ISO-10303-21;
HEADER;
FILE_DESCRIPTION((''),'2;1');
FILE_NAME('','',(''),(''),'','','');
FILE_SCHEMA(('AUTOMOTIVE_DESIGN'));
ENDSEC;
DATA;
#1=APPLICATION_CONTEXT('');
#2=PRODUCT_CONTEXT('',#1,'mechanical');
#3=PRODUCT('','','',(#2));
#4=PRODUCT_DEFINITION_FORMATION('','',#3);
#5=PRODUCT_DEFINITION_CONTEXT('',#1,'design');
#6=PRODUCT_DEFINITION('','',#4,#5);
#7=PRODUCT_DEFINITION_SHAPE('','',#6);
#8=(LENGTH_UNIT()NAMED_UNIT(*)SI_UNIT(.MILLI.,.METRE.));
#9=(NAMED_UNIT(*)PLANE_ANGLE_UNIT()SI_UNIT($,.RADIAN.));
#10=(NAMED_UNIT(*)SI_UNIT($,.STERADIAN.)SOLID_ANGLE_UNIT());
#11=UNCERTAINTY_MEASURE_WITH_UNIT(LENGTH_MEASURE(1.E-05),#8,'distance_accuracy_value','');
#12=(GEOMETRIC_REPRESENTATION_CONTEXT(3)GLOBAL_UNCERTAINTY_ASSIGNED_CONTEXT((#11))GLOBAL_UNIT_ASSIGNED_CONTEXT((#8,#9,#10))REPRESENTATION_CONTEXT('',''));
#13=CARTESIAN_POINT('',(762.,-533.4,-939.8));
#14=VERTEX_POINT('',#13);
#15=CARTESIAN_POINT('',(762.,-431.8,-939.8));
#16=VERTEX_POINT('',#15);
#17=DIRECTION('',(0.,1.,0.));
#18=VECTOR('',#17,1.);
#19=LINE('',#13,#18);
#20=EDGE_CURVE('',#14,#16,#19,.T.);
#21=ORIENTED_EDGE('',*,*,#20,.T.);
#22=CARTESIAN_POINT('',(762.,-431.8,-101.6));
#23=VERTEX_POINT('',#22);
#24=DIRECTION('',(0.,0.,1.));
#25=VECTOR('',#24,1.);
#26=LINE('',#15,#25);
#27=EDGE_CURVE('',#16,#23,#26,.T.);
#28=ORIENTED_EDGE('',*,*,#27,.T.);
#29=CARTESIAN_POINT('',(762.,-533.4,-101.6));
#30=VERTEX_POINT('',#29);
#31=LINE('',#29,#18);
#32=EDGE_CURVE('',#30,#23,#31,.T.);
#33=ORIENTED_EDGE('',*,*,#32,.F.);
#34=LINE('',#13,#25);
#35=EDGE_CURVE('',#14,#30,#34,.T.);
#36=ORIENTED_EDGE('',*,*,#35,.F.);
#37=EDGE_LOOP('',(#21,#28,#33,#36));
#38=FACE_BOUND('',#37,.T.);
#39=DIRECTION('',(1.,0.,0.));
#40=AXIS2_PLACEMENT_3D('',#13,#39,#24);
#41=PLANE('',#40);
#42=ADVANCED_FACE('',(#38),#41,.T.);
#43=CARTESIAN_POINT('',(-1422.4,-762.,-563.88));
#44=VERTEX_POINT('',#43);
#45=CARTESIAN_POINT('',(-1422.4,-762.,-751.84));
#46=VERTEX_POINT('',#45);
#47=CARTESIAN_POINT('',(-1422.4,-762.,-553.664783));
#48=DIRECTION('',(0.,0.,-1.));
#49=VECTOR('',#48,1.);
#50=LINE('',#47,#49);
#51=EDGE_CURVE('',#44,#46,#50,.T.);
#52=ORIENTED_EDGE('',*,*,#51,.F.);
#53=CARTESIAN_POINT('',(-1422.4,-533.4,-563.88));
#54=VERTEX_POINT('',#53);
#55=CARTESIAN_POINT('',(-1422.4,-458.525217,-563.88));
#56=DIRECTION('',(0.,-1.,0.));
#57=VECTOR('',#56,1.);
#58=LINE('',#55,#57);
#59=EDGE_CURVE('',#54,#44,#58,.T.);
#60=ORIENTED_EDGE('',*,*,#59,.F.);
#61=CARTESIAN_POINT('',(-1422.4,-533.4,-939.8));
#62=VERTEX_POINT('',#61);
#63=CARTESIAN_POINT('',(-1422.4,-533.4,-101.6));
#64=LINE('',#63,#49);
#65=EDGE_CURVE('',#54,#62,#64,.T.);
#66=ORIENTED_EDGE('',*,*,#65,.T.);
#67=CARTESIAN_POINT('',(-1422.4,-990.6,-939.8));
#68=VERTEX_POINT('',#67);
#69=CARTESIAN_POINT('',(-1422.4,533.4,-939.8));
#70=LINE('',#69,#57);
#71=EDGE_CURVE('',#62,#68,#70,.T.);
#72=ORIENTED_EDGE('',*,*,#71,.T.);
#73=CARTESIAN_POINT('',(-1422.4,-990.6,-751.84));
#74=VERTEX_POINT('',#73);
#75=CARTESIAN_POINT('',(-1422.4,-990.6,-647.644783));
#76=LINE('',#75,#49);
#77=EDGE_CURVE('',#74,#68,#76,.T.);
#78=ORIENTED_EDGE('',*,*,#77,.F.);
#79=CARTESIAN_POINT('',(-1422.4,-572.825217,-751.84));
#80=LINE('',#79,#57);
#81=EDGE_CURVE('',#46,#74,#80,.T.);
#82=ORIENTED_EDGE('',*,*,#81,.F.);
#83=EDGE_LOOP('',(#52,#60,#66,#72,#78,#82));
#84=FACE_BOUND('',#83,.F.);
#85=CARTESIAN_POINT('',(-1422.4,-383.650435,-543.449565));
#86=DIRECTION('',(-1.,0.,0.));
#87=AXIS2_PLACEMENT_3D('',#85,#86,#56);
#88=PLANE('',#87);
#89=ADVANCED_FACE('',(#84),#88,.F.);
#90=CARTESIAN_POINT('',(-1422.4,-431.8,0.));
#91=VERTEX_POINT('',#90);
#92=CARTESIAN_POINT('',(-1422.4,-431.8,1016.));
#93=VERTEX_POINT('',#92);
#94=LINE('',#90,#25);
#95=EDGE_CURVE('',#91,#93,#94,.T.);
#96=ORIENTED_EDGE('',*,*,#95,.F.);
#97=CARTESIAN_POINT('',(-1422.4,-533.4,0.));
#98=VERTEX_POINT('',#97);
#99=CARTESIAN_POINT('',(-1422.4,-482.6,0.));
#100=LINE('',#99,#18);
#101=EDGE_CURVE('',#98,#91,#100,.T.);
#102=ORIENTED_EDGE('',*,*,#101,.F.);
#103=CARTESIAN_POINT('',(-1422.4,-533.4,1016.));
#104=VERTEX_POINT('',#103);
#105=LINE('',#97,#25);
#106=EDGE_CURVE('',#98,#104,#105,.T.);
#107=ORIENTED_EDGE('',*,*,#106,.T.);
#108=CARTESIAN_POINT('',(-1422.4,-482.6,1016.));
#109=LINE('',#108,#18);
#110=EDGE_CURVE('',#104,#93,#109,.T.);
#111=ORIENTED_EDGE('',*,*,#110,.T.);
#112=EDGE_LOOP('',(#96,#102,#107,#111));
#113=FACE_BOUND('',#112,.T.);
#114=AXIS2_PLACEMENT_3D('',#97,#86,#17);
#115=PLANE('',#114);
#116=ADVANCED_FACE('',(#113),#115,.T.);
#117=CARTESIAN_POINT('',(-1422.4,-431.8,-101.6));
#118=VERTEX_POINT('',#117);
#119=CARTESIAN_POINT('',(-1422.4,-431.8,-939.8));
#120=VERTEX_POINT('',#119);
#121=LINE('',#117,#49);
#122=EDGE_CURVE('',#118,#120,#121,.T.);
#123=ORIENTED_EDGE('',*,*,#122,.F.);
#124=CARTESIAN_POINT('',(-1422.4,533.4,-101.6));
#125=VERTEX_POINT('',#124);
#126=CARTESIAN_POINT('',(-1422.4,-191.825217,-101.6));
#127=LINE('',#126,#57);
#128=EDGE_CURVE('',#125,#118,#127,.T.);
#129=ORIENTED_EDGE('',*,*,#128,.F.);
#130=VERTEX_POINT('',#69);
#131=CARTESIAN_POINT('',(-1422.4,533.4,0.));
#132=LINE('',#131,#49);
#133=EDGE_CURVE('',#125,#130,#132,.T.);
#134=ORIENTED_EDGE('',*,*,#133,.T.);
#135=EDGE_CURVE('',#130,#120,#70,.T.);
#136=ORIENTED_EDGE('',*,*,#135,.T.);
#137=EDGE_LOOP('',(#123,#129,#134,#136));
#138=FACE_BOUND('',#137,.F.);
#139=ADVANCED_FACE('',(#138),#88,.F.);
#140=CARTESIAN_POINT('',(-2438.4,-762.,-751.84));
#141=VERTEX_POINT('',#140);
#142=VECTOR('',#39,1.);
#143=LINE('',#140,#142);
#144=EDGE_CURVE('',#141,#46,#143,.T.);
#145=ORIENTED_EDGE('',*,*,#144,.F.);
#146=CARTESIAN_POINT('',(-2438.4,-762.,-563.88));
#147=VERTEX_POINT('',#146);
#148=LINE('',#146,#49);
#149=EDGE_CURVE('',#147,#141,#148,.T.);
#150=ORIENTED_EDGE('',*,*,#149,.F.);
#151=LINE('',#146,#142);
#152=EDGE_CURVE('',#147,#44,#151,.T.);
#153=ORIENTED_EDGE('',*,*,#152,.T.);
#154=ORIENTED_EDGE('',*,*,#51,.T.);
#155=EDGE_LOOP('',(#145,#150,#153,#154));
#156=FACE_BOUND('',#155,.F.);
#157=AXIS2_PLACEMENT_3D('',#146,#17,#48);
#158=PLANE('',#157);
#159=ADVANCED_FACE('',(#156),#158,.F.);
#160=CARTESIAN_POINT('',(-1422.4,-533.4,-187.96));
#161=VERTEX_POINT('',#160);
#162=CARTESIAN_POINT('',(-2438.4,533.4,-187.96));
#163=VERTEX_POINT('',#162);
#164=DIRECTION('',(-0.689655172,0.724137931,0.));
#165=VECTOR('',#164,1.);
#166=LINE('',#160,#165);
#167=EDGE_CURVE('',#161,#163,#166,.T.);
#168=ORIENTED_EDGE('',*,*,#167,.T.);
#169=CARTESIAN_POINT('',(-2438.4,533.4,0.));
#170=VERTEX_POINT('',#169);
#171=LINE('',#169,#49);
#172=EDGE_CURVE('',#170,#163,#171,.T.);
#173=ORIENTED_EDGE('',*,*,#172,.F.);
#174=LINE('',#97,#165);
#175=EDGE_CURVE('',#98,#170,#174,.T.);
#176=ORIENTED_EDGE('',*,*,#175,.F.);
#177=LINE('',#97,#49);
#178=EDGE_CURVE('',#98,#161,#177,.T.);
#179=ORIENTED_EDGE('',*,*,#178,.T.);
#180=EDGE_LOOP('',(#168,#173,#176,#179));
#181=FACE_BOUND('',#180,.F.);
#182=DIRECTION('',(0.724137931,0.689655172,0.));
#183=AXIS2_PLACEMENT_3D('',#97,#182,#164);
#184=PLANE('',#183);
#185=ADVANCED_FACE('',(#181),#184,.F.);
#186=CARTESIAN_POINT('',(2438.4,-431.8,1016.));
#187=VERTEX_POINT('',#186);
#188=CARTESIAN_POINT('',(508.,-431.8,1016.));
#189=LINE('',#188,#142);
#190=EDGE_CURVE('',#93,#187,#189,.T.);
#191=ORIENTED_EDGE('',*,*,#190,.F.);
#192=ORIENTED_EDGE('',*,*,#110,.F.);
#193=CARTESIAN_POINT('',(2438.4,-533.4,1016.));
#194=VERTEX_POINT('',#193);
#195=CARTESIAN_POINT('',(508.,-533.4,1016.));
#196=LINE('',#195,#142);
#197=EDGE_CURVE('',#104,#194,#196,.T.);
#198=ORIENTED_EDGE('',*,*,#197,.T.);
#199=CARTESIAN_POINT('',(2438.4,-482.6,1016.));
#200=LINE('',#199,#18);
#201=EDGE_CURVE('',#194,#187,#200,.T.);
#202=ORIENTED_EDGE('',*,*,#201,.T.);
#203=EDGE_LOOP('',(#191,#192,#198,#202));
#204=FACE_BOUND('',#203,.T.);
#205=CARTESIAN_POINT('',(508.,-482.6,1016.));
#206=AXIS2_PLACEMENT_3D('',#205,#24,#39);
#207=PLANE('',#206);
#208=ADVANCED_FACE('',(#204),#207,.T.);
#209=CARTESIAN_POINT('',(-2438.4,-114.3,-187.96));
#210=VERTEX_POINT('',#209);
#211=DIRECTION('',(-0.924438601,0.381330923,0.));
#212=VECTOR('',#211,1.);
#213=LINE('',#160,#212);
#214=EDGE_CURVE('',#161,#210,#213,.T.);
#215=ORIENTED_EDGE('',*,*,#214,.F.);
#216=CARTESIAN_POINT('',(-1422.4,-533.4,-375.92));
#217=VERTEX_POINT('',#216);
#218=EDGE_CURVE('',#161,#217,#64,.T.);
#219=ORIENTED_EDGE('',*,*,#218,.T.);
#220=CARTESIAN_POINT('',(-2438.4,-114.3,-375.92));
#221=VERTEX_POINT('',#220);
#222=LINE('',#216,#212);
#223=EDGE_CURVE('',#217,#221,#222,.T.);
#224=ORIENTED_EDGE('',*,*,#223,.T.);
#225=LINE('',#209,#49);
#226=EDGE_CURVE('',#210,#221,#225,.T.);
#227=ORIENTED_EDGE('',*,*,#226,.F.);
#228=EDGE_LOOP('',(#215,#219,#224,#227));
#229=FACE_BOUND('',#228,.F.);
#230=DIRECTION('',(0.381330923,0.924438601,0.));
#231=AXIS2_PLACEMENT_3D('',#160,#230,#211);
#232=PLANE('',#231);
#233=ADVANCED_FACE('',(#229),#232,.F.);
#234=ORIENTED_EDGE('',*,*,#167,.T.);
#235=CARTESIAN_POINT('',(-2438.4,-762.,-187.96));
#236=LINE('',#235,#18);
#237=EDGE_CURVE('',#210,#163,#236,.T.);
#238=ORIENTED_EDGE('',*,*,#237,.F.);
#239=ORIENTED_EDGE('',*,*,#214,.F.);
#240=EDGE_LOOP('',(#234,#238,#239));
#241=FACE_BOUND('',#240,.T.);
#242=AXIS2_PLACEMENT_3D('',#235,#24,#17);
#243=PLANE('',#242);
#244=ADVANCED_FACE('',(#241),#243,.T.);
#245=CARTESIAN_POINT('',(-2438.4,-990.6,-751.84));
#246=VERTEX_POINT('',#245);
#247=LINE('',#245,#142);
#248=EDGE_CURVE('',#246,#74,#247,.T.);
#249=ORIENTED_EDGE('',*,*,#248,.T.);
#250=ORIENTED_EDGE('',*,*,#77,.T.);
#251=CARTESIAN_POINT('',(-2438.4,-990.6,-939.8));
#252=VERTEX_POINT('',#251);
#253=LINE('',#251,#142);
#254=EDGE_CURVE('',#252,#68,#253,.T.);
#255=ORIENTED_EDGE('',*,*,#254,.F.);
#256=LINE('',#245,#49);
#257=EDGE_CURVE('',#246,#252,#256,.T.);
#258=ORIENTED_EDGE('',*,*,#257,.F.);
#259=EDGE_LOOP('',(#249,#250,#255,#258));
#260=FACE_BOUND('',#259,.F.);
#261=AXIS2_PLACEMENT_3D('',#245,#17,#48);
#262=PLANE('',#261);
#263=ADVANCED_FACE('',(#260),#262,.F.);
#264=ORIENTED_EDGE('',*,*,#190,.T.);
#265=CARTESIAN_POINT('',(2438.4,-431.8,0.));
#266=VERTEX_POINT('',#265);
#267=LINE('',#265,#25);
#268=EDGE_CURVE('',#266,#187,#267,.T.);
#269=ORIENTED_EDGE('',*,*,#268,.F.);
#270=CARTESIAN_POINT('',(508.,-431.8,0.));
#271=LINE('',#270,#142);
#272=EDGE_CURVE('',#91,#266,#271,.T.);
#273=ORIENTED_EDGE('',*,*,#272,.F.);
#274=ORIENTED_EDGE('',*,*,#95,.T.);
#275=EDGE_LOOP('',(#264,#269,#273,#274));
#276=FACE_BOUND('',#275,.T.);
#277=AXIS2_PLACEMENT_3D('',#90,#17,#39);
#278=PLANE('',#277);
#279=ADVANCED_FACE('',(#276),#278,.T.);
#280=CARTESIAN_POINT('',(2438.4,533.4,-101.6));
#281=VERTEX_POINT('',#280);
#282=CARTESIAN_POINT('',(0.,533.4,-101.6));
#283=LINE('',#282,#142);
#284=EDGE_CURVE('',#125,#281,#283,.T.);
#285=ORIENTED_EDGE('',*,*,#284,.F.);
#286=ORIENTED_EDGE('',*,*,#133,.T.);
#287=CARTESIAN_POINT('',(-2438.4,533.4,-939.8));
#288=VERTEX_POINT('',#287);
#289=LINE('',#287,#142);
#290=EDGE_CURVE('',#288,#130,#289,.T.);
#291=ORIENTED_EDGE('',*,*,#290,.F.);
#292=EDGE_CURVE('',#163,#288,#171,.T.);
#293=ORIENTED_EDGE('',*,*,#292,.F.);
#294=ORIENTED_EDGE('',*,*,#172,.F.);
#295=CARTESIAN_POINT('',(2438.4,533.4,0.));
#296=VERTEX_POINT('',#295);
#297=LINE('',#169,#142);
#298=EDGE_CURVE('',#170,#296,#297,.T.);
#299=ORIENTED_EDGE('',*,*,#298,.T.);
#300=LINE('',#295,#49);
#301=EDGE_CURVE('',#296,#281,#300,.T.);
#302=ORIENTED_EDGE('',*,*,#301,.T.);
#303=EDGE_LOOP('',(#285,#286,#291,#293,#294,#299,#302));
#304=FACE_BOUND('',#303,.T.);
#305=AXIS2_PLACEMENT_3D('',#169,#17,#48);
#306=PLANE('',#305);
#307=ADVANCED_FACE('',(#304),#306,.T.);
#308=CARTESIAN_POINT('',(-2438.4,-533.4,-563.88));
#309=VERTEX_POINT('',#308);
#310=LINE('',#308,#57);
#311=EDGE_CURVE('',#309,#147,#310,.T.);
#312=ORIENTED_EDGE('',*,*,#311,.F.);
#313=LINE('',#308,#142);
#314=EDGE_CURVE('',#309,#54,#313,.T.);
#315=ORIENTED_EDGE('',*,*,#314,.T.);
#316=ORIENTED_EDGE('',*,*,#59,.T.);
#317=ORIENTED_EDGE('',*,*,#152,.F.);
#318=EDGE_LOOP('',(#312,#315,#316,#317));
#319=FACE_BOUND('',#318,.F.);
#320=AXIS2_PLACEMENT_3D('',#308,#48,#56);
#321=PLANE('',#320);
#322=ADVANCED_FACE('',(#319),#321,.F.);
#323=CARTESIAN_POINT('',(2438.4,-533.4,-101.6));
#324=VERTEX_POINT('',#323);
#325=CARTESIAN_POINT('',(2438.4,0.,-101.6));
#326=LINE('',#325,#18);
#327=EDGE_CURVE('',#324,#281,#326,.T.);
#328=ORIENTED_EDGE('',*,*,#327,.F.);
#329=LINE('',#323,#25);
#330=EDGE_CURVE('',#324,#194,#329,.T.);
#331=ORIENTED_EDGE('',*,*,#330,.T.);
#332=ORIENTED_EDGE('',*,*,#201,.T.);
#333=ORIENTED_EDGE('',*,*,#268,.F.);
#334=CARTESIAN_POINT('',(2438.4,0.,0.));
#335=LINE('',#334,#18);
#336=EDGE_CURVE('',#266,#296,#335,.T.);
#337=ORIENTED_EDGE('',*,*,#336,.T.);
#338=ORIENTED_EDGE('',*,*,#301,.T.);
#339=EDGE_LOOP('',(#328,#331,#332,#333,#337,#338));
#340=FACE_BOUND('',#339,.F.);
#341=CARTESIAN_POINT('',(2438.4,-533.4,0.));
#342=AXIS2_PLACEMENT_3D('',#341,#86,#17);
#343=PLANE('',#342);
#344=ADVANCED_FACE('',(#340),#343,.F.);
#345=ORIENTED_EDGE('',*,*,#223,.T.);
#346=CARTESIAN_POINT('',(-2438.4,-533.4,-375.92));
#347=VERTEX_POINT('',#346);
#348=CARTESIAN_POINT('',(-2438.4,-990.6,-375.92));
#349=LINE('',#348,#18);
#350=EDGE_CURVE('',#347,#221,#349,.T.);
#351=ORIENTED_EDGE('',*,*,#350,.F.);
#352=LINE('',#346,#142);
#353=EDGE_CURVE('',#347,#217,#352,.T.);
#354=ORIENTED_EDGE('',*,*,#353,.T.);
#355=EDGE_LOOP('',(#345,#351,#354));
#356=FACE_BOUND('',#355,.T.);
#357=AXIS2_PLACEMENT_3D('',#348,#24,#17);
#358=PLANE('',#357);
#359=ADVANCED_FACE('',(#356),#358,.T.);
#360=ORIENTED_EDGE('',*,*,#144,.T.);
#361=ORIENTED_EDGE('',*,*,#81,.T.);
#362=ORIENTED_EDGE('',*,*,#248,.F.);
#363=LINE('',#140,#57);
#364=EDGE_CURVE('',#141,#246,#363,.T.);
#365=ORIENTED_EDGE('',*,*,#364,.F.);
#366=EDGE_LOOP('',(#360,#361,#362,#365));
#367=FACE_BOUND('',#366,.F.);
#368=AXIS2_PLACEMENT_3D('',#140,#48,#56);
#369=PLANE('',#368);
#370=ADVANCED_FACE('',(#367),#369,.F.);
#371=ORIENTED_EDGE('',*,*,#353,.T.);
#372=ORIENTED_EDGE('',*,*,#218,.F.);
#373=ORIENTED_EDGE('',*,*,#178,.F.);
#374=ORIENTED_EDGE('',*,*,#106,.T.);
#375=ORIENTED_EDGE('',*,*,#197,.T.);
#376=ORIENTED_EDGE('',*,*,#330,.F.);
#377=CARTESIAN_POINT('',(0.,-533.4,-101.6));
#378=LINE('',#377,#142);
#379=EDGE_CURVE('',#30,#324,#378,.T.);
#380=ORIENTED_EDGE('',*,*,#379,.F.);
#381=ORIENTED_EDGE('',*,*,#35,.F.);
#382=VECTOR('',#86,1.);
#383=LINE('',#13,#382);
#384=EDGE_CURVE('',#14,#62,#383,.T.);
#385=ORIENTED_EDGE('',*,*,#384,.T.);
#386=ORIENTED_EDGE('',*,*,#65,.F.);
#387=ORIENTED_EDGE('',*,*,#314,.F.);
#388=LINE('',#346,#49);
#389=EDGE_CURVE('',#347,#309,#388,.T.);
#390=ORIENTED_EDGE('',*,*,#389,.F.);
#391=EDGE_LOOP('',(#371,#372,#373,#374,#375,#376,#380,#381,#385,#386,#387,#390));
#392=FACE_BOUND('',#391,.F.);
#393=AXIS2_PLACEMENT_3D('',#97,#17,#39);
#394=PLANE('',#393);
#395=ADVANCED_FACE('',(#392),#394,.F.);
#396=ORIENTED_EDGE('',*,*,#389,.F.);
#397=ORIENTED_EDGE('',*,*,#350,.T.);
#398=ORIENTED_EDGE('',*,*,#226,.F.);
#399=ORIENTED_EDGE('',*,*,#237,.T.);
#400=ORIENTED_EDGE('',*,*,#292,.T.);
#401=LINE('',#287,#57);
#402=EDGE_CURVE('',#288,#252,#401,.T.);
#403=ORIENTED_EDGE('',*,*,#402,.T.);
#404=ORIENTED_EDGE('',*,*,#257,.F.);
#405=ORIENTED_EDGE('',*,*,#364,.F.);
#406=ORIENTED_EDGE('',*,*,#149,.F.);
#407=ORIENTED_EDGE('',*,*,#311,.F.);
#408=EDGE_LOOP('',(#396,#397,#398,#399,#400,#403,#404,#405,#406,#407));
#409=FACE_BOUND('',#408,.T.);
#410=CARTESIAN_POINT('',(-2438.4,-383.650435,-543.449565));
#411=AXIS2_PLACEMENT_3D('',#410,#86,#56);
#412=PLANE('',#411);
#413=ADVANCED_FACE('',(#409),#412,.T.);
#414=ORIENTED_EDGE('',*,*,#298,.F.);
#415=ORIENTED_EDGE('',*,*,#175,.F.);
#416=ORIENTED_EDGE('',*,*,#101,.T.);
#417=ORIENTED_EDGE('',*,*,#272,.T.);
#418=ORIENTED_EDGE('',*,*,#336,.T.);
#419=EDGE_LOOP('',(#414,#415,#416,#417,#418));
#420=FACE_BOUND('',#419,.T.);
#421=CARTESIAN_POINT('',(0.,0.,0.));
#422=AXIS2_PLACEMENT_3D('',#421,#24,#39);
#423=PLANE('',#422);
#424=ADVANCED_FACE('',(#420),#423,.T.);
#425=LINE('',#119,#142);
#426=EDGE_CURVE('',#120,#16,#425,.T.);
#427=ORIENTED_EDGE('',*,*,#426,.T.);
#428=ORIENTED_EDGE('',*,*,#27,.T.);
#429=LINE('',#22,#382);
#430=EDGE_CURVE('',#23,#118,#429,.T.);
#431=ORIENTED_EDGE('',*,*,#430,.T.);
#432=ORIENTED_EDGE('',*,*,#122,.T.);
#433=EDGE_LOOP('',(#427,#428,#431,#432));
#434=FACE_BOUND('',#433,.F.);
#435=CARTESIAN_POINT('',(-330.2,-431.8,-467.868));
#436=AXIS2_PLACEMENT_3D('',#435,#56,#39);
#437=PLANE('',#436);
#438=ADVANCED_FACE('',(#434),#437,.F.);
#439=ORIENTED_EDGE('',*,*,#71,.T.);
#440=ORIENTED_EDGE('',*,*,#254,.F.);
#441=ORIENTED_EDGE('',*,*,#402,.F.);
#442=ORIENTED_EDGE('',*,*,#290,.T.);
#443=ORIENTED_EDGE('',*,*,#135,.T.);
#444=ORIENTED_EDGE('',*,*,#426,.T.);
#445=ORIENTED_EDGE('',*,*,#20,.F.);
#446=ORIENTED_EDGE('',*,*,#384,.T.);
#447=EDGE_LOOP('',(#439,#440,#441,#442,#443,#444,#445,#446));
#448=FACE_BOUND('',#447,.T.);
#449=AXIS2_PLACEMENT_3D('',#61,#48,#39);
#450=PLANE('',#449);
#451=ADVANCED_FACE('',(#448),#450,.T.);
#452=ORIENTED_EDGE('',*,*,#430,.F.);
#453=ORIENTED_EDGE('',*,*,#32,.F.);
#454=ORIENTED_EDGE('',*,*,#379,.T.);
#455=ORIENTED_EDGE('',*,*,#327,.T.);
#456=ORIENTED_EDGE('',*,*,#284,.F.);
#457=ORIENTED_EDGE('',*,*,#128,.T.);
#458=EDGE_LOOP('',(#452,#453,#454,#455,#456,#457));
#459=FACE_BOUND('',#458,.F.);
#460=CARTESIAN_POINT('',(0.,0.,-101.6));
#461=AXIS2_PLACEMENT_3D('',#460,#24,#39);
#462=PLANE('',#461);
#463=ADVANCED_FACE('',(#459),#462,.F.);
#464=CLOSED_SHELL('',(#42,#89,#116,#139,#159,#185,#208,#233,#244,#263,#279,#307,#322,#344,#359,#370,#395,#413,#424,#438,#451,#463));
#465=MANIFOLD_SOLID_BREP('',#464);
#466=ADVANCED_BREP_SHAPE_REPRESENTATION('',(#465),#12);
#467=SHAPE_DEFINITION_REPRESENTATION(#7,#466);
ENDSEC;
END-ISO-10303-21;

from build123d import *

# Parameters (mm, degrees)
F0_W      = 4876.8
F0_H      = 1066.8
F1_DEPTH  = 101.6
F3_DEPTH  = 1016
F5_DEPTH  = 101.6
F7_DEPTH  = 187.96
F9_DEPTH  = 187.96
F11_DEPTH = 1300.3193
F12_W     = 2184.4
F12_H     = 838.2
F13_DEPTH = 101.6
F14_W     = 3860.8
F14_H     = 101.6
F15_DEPTH = 1016


with BuildPart() as f1:
    # F0 (on Top) → F1 (new body)
    with BuildSketch(Plane.XY):
        Rectangle(F0_W, F0_H)
    extrude(amount=-F1_DEPTH)

    # F2 (on face) → F3 (join)
    with BuildSketch(Plane(origin=(-2438.4, 0, 0), x_dir=(0, -1, 0), z_dir=(-1, 0, 0))):
        Polygon((533.4, -187.96), (533.4, 0), (304.8, 0), (-533.4, 0), (-533.4, -939.8), (304.8, -939.8), (1447.8, -939.8), (1447.8, -751.84), (1219.2, -751.84), (1219.2, -563.88), (990.6, -563.88), (990.6, -375.92), (762, -375.92), (762, -187.96), align=None)
    extrude(amount=-F3_DEPTH)

    # F4 (on face) → F5 (join)
    with BuildSketch(Plane.XZ.offset(533.4)):
        Polygon((762, -101.6), (-1422.4, -101.6), (-1422.4, -187.96), (-1422.4, -939.8), (-812.8, -939.8), (-812.8, -228.6), (-355.6, -228.6), (-355.6, -939.8), (-304.8, -939.8), (-304.8, -228.6), (152.4, -228.6), (152.4, -939.8), (762, -939.8), align=None)
    extrude(amount=-F5_DEPTH)

    # F6 (on face) → F7 (cut)
    with BuildSketch(Plane.XY):
        Polygon((-2438.4, -533.4), (-1422.4, -533.4), (-2438.4, 533.4), align=None)
    extrude(amount=-F7_DEPTH, mode=Mode.SUBTRACT)

    # F8 (on face) → F9 (cut)
    with BuildSketch(Plane.XY.offset(-187.96)):
        Polygon((-1422.4, -762), (-1422.4, -533.4), (-2438.4, -114.3), (-2438.4, -533.4), (-2438.4, -762), align=None)
    extrude(amount=-F9_DEPTH, mode=Mode.SUBTRACT)

    # F10 (on face) → F11 (cut)
    with BuildSketch(Plane(origin=(-2438.4, 0, 0), x_dir=(0, -1, 0), z_dir=(-1, 0, 0))):
        Polygon((1447.8, -375.92), (533.4, -375.92), (533.4, -563.88), (762, -563.88), (762, -751.84), (990.6, -751.84), (990.6, -939.8), (1447.8, -939.8), align=None)
    extrude(amount=-F11_DEPTH, mode=Mode.SUBTRACT)

    # F12 (on face) → F13 (join)
    with BuildSketch(Plane.XZ.offset(533.4)):
        with Locations((-330.2, -520.7)):
            Rectangle(F12_W, F12_H)
    extrude(amount=-F13_DEPTH)

    # F14 (on face) → F15 (join)
    with BuildSketch(Plane.XY):
        with Locations((508, -482.6)):
            Rectangle(F14_W, F14_H)
    extrude(amount=F15_DEPTH)


solid = f1.part
